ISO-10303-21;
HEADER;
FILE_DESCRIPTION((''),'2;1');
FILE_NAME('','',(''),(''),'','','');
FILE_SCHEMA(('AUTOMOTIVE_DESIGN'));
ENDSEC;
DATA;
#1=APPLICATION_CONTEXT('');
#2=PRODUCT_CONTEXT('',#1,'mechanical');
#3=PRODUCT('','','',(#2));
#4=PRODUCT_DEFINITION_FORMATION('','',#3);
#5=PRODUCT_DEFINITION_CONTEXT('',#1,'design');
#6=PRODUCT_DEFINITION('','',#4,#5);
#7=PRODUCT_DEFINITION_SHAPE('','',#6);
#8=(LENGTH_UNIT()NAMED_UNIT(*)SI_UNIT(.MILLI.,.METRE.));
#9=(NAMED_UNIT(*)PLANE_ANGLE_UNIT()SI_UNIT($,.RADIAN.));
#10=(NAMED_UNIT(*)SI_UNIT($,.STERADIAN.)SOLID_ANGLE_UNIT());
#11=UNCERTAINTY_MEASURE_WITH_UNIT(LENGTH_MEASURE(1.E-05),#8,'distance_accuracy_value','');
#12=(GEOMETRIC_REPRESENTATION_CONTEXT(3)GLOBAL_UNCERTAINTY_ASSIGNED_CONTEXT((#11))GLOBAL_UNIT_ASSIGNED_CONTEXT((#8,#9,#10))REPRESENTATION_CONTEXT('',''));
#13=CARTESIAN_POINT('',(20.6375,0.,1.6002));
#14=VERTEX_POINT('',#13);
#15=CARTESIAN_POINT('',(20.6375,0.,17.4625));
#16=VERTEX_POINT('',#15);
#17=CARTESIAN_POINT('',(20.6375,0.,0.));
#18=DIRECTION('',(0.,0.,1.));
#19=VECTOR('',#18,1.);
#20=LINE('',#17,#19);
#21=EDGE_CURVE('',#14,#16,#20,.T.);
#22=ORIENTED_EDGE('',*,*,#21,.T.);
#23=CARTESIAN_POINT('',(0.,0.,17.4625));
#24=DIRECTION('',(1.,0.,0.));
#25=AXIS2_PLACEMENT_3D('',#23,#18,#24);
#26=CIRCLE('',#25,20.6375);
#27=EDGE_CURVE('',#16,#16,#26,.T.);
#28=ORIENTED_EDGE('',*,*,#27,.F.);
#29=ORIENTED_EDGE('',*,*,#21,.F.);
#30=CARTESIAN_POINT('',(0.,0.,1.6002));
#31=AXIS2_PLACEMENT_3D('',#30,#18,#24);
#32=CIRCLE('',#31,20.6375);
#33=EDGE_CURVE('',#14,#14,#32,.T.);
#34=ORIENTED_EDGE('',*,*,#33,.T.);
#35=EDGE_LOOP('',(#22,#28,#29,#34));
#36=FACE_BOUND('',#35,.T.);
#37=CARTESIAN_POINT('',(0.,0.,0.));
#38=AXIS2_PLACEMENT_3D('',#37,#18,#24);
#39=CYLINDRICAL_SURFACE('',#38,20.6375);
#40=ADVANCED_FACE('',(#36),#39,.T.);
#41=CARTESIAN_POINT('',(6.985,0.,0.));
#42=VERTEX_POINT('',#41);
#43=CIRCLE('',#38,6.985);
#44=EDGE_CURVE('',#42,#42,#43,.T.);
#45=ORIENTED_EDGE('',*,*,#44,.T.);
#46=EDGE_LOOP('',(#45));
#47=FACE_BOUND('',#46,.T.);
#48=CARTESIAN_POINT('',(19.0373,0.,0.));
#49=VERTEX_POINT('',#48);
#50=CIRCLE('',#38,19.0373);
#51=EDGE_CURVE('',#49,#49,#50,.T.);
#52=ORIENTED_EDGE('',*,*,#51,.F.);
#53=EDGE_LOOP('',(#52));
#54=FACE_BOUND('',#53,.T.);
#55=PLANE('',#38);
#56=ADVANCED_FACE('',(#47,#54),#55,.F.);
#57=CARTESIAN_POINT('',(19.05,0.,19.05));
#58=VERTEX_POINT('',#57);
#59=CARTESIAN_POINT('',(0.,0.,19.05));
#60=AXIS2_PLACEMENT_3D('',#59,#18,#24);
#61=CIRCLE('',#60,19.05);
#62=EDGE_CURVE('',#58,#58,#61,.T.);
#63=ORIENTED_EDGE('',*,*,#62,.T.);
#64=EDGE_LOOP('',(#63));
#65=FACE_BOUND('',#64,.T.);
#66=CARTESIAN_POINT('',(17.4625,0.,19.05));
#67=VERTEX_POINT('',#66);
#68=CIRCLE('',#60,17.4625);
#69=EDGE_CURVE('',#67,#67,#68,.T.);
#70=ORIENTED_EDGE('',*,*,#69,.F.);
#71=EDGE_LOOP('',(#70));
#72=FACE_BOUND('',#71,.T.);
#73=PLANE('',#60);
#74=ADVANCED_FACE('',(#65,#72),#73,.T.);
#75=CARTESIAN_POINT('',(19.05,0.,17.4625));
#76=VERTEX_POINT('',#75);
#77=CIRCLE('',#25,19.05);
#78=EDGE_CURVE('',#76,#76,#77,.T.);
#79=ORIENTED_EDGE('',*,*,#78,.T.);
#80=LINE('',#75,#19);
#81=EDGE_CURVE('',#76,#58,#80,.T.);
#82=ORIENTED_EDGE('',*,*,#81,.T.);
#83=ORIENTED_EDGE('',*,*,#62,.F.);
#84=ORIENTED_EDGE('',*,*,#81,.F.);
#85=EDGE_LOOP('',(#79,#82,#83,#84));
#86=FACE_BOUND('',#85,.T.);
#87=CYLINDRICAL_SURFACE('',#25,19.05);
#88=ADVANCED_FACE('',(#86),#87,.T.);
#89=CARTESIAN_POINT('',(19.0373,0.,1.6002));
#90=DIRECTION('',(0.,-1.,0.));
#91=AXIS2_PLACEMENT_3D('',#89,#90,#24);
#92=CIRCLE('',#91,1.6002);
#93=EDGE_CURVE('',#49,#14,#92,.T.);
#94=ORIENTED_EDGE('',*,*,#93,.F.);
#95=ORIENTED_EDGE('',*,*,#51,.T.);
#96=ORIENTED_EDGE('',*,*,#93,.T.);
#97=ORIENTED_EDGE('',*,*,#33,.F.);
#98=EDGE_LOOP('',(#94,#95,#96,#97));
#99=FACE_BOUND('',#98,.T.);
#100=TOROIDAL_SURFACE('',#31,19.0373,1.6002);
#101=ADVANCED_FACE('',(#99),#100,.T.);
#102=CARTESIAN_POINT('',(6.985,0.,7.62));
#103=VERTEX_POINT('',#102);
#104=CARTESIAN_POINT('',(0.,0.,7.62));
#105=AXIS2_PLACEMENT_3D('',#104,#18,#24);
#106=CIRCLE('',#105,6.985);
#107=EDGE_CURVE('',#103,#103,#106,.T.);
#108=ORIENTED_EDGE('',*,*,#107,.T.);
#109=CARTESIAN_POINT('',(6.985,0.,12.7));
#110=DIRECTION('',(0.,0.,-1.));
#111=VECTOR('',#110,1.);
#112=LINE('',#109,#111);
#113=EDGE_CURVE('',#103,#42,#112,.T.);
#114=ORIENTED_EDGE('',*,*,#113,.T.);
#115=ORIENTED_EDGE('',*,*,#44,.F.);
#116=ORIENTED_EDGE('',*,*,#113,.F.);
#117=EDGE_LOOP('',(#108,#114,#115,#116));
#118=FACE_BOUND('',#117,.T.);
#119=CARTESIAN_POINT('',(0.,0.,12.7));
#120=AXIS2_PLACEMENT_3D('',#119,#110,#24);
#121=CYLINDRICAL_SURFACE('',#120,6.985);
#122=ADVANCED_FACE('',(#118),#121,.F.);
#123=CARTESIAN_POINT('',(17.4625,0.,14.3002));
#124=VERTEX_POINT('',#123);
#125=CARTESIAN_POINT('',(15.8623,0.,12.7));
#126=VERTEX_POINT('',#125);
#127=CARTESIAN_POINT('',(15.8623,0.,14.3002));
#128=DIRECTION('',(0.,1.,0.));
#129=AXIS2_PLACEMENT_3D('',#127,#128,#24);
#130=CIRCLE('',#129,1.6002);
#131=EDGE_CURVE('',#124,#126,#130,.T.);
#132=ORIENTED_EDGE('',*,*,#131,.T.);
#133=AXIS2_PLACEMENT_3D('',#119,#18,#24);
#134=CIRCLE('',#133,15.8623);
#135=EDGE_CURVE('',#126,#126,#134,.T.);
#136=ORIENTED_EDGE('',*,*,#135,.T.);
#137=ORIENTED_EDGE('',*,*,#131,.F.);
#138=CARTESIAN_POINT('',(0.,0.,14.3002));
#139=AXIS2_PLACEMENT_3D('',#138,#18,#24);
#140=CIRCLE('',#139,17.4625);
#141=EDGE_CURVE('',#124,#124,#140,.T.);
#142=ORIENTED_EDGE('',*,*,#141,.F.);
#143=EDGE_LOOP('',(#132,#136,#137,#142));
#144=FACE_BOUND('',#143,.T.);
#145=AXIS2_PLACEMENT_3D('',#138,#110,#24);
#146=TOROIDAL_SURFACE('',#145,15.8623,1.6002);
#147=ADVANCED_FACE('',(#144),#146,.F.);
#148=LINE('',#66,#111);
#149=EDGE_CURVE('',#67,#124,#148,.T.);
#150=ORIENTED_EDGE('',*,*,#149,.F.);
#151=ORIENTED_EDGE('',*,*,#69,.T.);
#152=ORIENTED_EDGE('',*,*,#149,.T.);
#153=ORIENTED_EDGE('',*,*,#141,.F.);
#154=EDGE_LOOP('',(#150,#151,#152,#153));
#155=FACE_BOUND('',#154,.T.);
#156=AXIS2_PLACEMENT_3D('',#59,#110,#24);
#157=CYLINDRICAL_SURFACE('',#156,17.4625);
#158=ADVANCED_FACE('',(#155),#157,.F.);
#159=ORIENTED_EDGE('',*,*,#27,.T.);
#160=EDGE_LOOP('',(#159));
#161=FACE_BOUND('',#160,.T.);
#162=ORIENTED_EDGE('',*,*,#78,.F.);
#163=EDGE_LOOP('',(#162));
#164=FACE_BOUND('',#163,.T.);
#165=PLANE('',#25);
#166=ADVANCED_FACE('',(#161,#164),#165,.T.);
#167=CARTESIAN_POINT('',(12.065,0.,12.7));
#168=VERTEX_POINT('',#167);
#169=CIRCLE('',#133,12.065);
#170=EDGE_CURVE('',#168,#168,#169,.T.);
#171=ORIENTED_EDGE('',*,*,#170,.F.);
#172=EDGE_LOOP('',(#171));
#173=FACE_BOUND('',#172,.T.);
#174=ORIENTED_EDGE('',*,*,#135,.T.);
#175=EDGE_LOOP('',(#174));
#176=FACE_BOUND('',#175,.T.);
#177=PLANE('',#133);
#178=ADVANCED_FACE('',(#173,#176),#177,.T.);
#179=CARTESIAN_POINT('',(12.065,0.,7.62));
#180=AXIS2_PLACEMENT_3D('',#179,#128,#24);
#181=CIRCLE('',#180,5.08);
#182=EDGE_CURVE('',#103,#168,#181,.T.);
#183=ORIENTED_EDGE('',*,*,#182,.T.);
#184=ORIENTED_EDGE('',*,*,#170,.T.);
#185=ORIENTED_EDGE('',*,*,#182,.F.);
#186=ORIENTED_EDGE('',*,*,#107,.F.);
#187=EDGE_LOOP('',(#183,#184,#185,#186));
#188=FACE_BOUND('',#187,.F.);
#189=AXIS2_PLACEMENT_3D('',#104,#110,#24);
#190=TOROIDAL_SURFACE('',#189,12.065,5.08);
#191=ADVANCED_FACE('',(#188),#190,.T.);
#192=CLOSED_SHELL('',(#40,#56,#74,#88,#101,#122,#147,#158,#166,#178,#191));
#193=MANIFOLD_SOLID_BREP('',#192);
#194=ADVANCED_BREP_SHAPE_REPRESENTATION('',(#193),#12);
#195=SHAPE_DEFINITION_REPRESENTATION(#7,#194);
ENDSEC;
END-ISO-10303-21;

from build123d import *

# Parameters (mm, degrees)
F2_R = 1.6002
F3_R = 5.08


with BuildPart() as f1:
    # F0 (on Front) → F1 (revolve)
    with BuildSketch(Plane.XZ):
        Polygon((6.985, 12.7), (6.985, 0), (20.6375, 0), (20.6375, 17.4625), (19.05, 17.4625), (19.05, 19.05), (17.4625, 19.05), (17.4625, 12.7), align=None)
    revolve(axis=Axis((0, 0, 17.878274), (0, 0, 1)))

    # F2
    f2_edges = [f1.edges().sort_by_distance(p)[0] for p in [
        (-17.4625, 0, 12.7),
        (-20.6375, 0, 0),
    ]]
    fillet(f2_edges, radius=F2_R)

    # F3
    f3_edges = [f1.edges().sort_by_distance(p)[0] for p in [
        (-6.985, 0, 12.7),
    ]]
    fillet(f3_edges, radius=F3_R)


solid = f1.part
